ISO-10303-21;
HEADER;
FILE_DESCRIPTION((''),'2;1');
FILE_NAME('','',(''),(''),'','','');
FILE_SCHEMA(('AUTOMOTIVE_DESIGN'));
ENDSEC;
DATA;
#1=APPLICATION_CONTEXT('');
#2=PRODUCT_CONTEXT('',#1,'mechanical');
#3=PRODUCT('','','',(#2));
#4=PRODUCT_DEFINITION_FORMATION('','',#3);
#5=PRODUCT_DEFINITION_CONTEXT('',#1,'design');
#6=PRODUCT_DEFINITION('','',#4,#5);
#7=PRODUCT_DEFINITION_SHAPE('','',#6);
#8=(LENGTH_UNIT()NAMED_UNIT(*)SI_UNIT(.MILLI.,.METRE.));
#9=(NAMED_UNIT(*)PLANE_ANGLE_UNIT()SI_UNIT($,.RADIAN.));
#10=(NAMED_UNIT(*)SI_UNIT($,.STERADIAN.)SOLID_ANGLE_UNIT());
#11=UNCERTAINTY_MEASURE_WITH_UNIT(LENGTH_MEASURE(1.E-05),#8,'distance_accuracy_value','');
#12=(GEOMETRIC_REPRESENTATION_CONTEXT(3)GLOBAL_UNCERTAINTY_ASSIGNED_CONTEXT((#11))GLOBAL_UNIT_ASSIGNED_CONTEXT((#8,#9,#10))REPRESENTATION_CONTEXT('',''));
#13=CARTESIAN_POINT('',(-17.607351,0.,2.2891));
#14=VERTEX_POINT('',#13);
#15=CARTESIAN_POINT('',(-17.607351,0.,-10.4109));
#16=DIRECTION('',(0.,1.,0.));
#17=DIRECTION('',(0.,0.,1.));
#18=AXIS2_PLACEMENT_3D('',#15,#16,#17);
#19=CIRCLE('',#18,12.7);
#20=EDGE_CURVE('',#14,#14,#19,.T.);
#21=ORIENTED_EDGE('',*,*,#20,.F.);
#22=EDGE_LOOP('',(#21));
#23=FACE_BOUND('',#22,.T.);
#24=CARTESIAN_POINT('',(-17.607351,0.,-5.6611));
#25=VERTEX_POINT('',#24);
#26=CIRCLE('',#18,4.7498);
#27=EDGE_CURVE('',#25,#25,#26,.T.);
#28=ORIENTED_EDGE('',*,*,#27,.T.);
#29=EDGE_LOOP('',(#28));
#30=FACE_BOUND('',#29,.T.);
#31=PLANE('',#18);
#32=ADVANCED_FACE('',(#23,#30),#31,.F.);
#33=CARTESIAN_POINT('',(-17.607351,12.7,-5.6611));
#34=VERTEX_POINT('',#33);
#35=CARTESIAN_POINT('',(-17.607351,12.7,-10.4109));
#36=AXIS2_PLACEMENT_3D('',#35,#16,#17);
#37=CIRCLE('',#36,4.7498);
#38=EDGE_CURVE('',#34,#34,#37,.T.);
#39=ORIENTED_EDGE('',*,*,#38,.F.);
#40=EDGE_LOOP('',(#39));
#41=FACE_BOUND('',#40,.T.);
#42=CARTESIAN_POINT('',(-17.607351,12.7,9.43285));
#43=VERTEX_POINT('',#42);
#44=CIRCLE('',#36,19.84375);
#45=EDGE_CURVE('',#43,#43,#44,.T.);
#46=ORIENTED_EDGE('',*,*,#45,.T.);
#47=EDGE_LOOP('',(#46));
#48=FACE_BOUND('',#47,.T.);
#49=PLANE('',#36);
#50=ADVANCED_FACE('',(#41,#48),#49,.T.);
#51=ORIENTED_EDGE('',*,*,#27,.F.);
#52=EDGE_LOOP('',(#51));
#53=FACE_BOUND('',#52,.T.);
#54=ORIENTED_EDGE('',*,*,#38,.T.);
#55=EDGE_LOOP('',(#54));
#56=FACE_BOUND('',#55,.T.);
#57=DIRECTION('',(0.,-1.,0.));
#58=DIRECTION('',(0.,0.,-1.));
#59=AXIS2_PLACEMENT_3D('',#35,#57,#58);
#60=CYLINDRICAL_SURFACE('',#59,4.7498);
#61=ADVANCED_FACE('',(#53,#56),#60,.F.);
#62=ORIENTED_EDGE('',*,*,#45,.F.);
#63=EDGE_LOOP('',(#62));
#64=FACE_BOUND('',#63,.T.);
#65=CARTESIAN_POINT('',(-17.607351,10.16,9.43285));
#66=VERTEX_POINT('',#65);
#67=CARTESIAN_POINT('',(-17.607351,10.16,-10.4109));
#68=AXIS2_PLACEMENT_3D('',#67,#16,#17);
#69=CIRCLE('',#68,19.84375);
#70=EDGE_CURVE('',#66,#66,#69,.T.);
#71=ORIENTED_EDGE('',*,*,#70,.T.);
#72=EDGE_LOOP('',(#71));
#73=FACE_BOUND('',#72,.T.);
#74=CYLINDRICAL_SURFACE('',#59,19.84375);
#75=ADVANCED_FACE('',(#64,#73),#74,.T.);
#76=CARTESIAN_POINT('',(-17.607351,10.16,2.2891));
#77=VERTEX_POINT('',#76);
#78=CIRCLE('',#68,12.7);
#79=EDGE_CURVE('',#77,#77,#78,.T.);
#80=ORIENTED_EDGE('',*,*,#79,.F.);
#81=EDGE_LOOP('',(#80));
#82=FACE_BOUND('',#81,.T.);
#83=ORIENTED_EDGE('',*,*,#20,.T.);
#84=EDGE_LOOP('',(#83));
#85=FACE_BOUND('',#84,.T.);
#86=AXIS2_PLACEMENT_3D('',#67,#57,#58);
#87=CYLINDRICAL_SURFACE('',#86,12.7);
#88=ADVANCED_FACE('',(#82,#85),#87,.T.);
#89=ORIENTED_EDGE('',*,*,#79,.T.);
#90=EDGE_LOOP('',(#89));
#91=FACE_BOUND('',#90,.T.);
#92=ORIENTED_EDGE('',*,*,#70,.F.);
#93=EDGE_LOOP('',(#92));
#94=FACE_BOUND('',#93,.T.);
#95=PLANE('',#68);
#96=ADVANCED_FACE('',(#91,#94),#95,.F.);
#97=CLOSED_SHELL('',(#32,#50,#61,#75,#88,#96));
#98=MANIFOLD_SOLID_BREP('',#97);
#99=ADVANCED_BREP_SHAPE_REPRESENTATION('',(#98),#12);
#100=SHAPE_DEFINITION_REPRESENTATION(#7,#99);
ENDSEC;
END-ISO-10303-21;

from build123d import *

# Parameters (mm, degrees)
SKETCH1_R           = 12.7
BOSS_EXTRUDE1_DEPTH = 10.16
SKETCH2_R           = 19.84375
SKETCH2_R_2         = 4.7498
BOSS_EXTRUDE2_DEPTH = 2.54
CUT_EXTRUDE1_START  = -12.7
SKETCH3_R           = 4.7498
CUT_EXTRUDE1_DEPTH  = 12.7


with BuildPart() as part:
    # Sketch1 → Boss-Extrude1 (new body)
    with BuildSketch(Plane(origin=(0, 0, 0), x_dir=(1, 0, 0), z_dir=(0, 1, 0))):
        with Locations(Location((-17.607350735, 10.410900498, 0), (0, 0, 270))):
            Circle(SKETCH1_R)
    extrude(amount=BOSS_EXTRUDE1_DEPTH)

    # Sketch2 → Boss-Extrude2 (add)
    with BuildSketch(Plane(origin=(0, 10.16, 0), x_dir=(1, 0, 0), z_dir=(0, 1, 0))):
        with Locations(Location((-17.607350735, 10.410900498, 0), (0, 0, 270))):
            Circle(SKETCH2_R)
        with Locations(Location((-17.607350735, 10.410900498, 0), (0, 0, 270))):
            Circle(SKETCH2_R_2, mode=Mode.SUBTRACT)
    extrude(amount=BOSS_EXTRUDE2_DEPTH)

    # Sketch3 → Cut-Extrude1 (cut)
    with BuildSketch(Plane(origin=(0, 10.16, 0), x_dir=(1, 0, 0), z_dir=(0, 1, 0)).offset(CUT_EXTRUDE1_START)):
        with Locations(Location((-17.607350735, 10.410900498, 0), (0, 0, 270))):
            Circle(SKETCH3_R)
    extrude(amount=CUT_EXTRUDE1_DEPTH, mode=Mode.SUBTRACT)


solid = part.part
